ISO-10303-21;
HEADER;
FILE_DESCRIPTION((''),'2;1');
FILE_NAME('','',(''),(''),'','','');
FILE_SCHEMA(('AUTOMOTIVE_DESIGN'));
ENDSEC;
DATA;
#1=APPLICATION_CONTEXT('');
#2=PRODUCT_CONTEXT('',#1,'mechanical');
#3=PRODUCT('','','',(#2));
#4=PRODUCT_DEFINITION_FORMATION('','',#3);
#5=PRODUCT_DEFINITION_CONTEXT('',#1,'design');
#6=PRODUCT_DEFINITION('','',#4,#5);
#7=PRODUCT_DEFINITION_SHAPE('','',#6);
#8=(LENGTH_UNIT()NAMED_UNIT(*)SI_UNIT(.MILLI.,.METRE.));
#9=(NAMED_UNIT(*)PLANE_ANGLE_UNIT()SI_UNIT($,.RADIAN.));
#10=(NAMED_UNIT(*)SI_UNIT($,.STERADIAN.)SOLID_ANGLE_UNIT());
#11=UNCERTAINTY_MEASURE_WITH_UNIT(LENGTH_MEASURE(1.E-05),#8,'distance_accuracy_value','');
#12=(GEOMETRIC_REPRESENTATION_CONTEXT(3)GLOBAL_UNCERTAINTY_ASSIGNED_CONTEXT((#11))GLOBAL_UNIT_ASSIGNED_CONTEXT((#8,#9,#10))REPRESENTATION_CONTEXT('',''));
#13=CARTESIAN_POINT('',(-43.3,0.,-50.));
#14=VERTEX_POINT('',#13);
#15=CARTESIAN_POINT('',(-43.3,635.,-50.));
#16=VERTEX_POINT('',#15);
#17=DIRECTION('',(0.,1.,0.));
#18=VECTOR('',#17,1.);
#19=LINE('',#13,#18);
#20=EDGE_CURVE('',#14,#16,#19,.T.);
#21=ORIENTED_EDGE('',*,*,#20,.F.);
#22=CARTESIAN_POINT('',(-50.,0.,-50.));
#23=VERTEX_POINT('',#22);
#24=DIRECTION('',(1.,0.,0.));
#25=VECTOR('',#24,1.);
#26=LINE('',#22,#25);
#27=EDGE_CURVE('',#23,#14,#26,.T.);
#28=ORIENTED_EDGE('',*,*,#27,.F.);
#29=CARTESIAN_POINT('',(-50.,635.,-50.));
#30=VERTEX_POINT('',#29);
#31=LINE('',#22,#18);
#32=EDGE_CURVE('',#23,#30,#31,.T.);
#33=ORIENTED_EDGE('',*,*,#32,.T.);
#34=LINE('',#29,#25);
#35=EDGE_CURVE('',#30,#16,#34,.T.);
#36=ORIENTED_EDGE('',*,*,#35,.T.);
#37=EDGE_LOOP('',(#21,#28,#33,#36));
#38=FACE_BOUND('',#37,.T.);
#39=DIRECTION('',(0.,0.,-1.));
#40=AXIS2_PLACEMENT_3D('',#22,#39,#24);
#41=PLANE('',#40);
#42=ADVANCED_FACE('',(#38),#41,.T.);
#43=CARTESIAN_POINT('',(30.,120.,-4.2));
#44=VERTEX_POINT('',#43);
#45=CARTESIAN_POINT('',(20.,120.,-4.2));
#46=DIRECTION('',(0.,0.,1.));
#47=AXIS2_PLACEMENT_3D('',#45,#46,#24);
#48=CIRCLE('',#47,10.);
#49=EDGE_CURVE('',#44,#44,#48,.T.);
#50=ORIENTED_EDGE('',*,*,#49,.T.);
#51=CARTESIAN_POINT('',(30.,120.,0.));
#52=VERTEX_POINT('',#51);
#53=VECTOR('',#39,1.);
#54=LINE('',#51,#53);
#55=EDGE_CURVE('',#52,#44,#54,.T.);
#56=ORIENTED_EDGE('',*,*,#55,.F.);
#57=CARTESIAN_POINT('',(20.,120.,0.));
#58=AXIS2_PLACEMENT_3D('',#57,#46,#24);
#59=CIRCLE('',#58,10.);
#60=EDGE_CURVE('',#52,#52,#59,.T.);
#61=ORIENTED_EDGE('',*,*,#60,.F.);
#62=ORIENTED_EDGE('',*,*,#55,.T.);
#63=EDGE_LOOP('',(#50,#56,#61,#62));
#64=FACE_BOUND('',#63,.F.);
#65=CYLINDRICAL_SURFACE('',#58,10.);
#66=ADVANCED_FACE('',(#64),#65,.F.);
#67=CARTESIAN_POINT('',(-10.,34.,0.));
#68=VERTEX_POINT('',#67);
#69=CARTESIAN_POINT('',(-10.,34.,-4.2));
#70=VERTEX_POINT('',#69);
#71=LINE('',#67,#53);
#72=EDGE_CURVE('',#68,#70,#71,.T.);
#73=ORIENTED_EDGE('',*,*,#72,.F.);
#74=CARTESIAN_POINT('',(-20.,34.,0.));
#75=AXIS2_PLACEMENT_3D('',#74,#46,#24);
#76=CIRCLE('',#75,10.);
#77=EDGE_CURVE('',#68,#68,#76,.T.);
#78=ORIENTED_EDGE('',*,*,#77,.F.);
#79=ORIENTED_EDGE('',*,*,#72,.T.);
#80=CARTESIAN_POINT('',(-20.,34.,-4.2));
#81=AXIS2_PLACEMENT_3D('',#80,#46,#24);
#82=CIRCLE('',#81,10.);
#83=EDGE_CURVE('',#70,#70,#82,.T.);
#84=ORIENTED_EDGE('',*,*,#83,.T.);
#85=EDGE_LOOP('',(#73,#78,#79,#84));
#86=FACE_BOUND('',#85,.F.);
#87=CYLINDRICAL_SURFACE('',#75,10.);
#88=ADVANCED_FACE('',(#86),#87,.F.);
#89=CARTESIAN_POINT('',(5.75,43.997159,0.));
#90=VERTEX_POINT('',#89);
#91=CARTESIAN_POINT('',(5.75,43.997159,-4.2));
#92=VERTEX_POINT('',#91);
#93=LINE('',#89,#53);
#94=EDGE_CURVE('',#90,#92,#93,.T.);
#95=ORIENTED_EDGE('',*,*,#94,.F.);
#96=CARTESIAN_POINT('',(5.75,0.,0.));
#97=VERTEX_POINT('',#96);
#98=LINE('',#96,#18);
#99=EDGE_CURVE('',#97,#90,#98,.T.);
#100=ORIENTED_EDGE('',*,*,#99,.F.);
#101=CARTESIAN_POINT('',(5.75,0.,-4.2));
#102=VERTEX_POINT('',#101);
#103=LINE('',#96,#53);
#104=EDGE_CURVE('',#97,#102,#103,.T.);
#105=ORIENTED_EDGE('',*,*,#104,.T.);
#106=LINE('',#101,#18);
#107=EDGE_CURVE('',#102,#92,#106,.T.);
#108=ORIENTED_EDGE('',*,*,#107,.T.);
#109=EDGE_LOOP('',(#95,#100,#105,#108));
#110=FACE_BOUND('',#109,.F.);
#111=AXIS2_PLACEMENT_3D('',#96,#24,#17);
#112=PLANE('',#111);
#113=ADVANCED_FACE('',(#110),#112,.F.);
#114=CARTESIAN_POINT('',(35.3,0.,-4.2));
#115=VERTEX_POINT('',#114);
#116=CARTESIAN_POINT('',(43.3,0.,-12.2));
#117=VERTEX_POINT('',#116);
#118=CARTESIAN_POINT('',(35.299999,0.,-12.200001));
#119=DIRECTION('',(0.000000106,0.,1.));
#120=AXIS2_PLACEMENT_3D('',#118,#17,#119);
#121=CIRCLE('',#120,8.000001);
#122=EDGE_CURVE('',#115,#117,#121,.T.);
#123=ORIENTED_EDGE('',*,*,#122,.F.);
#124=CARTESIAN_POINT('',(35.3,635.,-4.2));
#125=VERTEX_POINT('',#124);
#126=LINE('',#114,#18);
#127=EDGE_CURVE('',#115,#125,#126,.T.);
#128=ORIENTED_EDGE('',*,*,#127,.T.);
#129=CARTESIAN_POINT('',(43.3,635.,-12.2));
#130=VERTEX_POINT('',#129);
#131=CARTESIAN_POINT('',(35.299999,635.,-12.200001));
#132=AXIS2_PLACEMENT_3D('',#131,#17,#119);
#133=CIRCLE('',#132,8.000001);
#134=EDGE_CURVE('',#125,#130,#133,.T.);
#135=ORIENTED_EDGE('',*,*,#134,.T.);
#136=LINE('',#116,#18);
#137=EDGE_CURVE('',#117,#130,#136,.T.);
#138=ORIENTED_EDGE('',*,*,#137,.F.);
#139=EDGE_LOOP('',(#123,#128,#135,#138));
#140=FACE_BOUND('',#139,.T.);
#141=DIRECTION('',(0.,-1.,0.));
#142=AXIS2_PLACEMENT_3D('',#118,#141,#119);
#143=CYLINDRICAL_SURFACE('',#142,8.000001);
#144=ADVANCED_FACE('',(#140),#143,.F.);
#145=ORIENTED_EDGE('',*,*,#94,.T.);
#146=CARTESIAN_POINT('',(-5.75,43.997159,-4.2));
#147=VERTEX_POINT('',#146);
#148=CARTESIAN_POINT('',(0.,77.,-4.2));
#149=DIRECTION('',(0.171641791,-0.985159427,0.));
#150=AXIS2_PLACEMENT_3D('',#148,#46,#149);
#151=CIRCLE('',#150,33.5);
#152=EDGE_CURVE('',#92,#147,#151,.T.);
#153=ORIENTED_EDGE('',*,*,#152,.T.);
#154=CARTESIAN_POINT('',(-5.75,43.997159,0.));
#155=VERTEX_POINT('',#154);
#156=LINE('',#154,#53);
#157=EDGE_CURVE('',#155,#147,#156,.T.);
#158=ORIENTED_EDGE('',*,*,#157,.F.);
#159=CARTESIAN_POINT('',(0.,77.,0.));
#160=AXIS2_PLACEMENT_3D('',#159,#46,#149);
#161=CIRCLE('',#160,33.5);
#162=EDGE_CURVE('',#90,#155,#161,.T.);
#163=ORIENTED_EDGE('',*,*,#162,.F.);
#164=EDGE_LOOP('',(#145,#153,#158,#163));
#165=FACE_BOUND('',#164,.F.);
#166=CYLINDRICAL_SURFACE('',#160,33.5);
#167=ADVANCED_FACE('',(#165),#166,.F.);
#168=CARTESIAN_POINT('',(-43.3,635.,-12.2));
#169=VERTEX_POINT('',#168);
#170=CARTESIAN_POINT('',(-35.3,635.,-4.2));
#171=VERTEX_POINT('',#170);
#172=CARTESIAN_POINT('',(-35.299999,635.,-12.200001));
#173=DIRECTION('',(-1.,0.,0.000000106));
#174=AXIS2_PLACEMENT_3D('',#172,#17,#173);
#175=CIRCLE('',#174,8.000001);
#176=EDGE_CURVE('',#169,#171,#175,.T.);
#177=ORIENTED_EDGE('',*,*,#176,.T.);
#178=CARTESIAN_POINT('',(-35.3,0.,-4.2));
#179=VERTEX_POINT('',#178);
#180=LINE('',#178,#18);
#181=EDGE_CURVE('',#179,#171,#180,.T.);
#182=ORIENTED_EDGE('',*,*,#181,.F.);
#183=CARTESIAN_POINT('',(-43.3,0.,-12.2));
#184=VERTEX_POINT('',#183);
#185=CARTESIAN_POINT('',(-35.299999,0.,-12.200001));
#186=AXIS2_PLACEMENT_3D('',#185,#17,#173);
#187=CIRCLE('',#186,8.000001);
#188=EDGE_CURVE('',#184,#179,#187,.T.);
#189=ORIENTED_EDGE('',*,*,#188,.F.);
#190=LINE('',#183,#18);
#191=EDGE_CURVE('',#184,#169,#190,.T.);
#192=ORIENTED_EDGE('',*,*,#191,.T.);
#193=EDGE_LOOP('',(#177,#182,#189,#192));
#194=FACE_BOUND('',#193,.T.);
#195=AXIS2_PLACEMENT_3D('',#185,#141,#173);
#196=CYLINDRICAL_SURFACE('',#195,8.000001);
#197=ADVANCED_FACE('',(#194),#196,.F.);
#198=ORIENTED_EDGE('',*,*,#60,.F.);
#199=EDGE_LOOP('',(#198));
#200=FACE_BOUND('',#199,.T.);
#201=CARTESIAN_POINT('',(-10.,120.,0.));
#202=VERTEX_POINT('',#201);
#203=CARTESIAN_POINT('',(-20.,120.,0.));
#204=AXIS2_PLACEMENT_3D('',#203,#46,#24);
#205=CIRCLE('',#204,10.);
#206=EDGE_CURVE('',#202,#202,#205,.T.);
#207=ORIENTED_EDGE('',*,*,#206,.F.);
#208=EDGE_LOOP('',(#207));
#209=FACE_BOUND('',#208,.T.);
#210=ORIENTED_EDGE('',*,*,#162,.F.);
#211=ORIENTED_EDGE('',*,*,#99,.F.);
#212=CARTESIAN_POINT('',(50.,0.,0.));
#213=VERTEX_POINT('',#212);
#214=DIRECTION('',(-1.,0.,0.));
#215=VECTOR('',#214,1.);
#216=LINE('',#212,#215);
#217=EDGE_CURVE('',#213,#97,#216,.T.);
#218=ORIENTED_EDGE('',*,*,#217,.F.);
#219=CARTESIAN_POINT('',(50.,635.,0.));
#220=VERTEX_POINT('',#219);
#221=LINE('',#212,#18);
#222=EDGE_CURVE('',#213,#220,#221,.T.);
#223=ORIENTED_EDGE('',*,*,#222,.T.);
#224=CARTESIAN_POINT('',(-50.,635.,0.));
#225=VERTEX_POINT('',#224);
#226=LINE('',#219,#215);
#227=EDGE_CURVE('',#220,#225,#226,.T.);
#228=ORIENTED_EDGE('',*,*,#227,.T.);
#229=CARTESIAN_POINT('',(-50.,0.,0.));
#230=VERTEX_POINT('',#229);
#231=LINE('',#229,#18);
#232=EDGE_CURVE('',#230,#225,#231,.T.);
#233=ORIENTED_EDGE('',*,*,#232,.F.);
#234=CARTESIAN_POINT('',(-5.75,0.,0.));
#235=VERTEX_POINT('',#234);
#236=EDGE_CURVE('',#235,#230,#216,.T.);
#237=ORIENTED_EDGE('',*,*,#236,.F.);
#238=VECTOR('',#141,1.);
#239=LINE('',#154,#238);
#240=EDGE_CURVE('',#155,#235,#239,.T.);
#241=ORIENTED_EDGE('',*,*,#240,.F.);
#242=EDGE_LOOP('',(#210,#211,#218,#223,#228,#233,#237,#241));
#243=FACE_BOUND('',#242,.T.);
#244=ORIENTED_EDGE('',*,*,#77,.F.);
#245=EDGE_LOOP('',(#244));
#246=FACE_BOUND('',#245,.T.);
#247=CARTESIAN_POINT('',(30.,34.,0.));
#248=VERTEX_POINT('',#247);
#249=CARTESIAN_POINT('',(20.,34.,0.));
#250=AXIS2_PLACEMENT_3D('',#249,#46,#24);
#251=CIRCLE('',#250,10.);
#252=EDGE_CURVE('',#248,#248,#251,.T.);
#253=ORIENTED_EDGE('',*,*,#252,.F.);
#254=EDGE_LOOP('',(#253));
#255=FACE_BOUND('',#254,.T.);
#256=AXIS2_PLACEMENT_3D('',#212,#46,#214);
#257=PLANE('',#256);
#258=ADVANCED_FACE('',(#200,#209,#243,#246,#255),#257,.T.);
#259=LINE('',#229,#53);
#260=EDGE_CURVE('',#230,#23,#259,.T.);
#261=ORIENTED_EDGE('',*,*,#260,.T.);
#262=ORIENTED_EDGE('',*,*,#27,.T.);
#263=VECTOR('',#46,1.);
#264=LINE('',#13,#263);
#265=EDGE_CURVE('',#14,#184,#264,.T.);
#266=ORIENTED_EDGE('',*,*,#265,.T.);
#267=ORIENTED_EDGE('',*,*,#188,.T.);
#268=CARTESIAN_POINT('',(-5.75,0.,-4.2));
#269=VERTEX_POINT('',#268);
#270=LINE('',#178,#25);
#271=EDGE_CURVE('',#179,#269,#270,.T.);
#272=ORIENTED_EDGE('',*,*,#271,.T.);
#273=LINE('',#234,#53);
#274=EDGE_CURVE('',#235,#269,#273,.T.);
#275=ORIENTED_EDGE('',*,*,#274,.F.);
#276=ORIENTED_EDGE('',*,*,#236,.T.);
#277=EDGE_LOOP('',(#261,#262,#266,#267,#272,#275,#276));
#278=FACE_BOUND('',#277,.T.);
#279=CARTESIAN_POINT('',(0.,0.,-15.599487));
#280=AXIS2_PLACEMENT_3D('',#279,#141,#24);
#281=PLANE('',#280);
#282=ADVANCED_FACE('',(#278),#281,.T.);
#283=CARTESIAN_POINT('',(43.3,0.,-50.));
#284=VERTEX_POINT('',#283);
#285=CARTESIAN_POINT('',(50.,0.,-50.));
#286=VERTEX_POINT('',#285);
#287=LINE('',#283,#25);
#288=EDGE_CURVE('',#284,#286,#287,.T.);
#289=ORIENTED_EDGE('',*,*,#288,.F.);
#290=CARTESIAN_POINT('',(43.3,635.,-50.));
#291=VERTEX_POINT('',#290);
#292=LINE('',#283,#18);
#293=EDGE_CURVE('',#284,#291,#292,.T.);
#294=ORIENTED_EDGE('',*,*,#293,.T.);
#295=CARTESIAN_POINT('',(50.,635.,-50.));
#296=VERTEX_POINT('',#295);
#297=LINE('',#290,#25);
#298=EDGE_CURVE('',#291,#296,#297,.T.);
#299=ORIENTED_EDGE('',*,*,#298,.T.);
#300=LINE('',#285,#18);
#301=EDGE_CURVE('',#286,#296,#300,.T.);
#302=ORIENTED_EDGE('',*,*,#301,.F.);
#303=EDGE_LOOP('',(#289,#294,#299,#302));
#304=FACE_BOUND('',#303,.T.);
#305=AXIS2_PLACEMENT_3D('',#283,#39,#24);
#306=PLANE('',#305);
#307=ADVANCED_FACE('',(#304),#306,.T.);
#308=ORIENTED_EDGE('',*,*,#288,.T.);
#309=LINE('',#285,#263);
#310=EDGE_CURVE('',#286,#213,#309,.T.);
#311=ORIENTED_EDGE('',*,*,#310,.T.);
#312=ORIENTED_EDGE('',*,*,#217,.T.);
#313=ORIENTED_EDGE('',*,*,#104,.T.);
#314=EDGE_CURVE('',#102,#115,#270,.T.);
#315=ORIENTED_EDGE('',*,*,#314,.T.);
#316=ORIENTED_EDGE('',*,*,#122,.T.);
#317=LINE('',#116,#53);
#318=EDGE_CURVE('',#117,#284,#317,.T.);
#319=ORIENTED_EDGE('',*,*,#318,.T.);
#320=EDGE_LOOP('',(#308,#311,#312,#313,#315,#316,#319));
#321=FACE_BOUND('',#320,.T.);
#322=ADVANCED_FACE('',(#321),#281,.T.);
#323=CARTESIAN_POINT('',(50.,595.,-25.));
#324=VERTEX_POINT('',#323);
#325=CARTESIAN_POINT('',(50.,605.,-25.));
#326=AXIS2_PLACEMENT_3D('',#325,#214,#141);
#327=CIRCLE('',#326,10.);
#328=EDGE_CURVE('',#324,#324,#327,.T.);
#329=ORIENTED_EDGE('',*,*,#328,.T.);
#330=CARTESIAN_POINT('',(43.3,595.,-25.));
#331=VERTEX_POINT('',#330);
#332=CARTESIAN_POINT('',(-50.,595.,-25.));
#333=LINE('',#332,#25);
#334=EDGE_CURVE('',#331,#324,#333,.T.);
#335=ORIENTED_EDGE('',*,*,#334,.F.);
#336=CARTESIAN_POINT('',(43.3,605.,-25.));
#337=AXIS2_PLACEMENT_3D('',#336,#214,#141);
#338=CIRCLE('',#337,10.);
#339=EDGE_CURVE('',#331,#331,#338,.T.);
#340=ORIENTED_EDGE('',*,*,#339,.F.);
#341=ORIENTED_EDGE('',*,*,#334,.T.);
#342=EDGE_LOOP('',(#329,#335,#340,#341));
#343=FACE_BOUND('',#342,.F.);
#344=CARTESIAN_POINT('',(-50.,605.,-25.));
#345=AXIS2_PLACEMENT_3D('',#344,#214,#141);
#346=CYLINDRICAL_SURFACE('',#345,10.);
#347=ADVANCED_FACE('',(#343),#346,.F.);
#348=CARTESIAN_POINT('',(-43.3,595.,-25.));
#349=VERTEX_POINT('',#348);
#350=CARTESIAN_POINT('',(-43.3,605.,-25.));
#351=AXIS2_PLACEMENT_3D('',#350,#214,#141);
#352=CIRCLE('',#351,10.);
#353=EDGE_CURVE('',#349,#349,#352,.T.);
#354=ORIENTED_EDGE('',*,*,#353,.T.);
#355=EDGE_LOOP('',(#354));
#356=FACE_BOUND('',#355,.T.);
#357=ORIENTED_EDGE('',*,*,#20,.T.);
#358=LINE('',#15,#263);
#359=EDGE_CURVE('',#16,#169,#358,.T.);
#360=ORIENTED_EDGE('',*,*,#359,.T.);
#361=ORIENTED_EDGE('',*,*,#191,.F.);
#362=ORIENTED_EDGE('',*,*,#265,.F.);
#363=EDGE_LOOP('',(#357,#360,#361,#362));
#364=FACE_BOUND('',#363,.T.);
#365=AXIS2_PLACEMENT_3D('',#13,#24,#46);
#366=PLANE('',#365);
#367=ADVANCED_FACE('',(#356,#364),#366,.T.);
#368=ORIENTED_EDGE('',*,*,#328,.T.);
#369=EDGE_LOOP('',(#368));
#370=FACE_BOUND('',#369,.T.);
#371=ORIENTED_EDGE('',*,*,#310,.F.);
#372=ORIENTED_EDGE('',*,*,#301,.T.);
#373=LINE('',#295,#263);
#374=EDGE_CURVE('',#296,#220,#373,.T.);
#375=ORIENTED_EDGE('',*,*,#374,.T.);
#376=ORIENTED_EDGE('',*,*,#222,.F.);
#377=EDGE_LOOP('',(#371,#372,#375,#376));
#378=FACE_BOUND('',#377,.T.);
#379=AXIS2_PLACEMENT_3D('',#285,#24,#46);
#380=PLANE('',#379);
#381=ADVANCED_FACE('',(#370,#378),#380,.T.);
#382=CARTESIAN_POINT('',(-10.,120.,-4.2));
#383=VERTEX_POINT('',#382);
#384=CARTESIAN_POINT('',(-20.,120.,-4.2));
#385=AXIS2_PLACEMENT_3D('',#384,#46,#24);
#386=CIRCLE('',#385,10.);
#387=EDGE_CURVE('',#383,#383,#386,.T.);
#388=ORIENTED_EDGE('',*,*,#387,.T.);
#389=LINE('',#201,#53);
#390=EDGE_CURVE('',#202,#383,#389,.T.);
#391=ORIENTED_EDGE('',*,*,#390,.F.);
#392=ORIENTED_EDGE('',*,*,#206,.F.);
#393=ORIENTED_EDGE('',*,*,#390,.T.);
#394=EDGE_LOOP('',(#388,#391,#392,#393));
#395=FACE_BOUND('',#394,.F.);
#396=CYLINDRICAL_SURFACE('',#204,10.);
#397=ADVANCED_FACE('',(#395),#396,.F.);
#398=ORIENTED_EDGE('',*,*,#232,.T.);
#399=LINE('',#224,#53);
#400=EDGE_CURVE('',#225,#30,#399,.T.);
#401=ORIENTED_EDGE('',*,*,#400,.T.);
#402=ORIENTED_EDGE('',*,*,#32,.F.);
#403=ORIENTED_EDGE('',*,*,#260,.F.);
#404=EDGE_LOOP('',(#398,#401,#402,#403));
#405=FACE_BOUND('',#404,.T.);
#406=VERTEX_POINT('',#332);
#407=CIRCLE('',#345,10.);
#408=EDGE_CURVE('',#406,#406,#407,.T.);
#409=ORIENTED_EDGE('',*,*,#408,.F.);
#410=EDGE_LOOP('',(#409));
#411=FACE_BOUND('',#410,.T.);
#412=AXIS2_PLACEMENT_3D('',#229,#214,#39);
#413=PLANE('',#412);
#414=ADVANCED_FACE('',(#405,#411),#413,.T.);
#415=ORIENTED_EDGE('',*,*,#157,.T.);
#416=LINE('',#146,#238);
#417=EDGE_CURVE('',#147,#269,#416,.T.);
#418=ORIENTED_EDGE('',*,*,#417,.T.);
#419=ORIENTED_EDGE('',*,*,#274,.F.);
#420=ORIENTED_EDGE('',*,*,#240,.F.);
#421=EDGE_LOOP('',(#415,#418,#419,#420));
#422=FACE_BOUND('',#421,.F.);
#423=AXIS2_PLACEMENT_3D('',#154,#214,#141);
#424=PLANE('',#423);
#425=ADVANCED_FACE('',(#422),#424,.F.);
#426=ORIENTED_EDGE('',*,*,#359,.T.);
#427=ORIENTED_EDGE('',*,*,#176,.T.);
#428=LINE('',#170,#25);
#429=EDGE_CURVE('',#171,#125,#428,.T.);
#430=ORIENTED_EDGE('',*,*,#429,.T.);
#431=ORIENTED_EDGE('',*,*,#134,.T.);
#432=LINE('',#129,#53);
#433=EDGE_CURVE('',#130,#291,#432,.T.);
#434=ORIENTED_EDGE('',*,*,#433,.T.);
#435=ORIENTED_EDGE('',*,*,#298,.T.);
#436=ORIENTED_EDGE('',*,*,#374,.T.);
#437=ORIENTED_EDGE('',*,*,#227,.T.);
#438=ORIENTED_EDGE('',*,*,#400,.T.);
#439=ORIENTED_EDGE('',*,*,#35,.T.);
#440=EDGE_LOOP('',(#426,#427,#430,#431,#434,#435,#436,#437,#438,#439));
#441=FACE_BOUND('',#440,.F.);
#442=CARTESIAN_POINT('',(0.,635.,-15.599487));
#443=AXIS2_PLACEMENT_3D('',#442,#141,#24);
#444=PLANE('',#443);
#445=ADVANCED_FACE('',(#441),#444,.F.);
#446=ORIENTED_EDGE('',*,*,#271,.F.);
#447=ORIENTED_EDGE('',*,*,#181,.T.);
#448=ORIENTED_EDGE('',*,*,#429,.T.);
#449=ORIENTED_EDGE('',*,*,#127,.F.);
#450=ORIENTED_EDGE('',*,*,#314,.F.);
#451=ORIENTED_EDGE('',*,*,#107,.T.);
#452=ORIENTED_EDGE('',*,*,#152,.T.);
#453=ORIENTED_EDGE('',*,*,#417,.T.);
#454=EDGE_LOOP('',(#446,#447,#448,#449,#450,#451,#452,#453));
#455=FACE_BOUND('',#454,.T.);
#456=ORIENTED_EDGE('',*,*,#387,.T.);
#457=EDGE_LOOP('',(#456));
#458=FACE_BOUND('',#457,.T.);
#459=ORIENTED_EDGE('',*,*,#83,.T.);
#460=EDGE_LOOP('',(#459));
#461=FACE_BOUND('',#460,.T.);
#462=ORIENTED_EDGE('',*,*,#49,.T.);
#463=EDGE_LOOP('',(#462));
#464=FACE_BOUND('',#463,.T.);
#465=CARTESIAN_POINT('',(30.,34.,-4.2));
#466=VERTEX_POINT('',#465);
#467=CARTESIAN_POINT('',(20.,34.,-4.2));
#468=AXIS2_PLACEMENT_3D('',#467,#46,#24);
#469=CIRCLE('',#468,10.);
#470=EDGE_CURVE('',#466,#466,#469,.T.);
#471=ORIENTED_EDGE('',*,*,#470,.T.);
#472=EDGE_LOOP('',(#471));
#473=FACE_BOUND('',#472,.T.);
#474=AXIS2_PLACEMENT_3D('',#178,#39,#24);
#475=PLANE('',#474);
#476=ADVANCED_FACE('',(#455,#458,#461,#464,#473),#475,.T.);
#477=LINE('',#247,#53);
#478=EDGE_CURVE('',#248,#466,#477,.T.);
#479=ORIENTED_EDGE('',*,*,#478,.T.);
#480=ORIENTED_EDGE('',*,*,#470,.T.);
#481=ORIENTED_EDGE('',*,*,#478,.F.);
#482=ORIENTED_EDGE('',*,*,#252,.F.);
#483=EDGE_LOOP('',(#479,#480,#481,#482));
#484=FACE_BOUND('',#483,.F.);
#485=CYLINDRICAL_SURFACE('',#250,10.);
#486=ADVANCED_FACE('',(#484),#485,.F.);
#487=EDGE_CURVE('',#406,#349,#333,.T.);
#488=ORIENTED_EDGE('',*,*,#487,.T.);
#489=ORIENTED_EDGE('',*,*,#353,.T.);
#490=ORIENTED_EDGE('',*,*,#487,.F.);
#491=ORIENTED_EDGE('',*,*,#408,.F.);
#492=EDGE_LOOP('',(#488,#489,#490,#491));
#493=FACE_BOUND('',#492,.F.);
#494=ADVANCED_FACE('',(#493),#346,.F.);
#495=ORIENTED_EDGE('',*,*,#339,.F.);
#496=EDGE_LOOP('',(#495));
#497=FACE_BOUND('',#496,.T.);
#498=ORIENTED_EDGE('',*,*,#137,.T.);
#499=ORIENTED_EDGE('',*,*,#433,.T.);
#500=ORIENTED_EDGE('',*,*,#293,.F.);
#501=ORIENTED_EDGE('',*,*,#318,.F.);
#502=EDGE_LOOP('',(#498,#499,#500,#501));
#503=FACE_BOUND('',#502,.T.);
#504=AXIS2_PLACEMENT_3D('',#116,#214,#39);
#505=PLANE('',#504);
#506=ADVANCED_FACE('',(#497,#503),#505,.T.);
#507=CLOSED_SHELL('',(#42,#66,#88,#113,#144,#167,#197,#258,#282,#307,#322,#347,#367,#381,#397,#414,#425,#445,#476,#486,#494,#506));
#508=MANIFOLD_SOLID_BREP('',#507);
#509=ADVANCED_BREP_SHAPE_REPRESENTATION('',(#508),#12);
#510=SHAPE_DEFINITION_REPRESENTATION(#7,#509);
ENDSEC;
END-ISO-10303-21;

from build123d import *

# Parameters (mm, degrees)
F1_DEPTH = 635
F3_DEPTH = 4.2
F4_R     = 10
F5_DEPTH = 4.2
F6_R     = 10
F7_DEPTH = 100


with BuildPart() as f1:
    # F0 (on Front) → F1 (new body)
    with BuildSketch(Plane.XZ):
        with BuildLine():
            Line((50, 0), (0, 0))
            Line((0, 0), (-50, 0))
            Line((-50, 0), (-50, -50))
            Line((-50, -50), (-43.3, -50))
            Line((-43.3, -50), (-43.3, -12.2))
            ThreePointArc((-43.3, -12.2), (-40.956854, -6.543146), (-35.3, -4.2))
            Line((-35.3, -4.2), (0, -4.2))
            Line((0, -4.2), (35.3, -4.2))
            ThreePointArc((35.3, -4.2), (40.956854, -6.543146), (43.3, -12.2))
            Line((43.3, -12.2), (43.3, -50))
            Line((43.3, -50), (50, -50))
            Line((50, -50), (50, 0))
        make_face()
    extrude(amount=-F1_DEPTH)

    # F2 (on face) → F3 (cut, through all)
    with BuildSketch(Plane.XY):
        with BuildLine():
            Line((5.75, 0), (5.75, 43.997159))
            ThreePointArc((5.75, 43.997159), (0, 110.5), (-5.75, 43.997159))
            Line((-5.75, 43.997159), (-5.75, 0))
            Line((-5.75, 0), (5.75, 0))
        make_face()
    extrude(amount=-F3_DEPTH, mode=Mode.SUBTRACT)

    # F4 (on face) → F5 (cut, through all)
    with BuildSketch(Plane.XY):
        with Locations((-20, 34)):
            Circle(F4_R)
        with Locations((-20, 120)):
            Circle(F4_R)
        with Locations((20, 34)):
            Circle(F4_R)
        with Locations((20, 120)):
            Circle(F4_R)
    extrude(amount=-F5_DEPTH, mode=Mode.SUBTRACT)

    # F6 (on face) → F7 (cut, through all)
    with BuildSketch(Plane(origin=(-50, 0, 0), x_dir=(0, -1, 0), z_dir=(-1, 0, 0))):
        with Locations((-605, -25)):
            Circle(F6_R)
    extrude(amount=-F7_DEPTH, mode=Mode.SUBTRACT)


solid = f1.part
